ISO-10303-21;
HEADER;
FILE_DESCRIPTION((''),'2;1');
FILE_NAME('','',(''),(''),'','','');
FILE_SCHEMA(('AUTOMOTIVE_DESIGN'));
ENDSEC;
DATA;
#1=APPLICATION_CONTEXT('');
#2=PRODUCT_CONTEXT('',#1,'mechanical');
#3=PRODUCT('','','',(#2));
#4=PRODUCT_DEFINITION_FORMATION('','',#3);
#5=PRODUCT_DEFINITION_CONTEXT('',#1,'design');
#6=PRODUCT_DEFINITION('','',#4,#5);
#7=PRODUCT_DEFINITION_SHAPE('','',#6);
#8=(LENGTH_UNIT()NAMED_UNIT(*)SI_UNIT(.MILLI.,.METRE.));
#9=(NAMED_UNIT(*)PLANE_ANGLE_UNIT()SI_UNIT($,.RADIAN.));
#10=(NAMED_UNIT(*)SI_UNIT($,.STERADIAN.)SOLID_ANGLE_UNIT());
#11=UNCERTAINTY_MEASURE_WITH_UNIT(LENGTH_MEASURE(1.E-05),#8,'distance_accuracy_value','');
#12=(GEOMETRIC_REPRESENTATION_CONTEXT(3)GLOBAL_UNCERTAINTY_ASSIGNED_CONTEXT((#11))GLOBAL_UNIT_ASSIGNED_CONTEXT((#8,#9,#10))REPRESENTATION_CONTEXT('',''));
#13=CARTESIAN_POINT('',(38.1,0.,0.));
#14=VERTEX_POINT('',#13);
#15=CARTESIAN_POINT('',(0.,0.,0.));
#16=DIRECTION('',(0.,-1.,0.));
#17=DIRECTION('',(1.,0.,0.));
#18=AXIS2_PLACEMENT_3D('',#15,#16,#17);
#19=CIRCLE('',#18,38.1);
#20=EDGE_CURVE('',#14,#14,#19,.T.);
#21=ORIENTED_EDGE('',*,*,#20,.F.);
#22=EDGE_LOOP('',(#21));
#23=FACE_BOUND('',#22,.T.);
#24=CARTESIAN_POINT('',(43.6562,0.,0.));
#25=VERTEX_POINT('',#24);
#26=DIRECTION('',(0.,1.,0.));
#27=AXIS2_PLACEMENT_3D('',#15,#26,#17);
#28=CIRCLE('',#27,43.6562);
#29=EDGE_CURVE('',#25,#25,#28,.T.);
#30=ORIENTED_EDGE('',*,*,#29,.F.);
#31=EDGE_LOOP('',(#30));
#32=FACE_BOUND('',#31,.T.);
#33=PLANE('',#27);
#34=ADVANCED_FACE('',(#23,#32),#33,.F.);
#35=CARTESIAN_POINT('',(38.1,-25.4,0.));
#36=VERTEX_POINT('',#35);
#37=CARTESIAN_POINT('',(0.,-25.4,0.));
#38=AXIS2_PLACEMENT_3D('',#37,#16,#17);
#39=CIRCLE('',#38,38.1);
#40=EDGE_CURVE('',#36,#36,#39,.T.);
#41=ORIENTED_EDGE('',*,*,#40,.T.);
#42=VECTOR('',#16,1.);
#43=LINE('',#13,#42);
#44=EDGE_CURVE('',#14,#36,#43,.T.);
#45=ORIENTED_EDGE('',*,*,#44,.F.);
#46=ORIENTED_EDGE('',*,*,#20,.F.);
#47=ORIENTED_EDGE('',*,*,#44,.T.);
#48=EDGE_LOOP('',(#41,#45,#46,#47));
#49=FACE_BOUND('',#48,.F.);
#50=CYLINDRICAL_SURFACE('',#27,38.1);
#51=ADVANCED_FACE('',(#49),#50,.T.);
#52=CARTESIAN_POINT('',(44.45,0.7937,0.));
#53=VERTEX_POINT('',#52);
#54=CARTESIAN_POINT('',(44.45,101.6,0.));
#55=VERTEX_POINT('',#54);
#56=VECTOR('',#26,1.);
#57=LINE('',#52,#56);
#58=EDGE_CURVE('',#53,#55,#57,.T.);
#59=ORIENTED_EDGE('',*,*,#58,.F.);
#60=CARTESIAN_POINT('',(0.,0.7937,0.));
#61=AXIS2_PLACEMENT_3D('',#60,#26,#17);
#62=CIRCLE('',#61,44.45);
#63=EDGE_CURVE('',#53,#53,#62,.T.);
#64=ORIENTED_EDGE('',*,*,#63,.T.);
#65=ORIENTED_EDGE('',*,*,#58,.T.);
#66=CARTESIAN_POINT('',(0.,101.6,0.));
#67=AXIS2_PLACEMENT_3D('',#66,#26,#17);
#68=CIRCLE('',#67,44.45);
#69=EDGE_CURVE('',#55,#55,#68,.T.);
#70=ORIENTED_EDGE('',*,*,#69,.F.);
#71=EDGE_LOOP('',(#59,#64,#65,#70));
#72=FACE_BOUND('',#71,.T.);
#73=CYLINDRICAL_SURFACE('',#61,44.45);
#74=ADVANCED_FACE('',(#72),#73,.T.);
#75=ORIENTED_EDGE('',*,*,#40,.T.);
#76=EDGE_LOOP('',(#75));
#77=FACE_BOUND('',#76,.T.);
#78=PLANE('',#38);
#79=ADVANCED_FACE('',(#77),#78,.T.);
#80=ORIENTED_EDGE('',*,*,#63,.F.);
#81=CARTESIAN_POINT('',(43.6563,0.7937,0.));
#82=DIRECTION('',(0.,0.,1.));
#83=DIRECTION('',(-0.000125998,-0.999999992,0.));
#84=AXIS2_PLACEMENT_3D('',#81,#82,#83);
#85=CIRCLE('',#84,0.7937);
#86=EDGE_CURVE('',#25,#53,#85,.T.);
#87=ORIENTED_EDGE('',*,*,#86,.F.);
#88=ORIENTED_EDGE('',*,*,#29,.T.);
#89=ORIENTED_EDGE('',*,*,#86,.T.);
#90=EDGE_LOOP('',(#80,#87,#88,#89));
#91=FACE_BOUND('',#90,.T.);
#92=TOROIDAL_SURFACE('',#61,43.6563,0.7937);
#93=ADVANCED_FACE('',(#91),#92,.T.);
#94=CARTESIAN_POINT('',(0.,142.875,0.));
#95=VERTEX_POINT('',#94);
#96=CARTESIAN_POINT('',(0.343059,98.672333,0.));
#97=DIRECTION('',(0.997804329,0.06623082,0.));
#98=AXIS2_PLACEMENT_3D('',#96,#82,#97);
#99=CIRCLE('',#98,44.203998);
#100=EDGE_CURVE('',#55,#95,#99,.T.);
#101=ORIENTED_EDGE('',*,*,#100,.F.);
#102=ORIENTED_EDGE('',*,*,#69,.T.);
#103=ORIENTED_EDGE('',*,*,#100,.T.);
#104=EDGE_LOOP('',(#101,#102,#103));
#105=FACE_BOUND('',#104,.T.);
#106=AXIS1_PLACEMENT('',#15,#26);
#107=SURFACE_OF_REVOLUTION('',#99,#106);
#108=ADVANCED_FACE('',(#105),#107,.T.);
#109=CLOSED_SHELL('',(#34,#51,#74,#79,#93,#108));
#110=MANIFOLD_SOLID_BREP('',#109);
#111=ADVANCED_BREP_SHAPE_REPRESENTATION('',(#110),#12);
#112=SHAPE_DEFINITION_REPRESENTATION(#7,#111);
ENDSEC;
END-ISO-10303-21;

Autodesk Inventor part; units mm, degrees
ref_plane "YZ Plane" through (0, 0, 0) normal (1, 0, 0) x (0, 1, 0)
ref_plane "XZ Plane" through (0, 0, 0) normal (0, 1, 0) x (-1, 0, 0)
ref_plane "XY Plane" through (0, 0, 0) normal (0, 0, 1) x (1, 0, 0)
sketch "Sketch1" plane through (0, 0, 0) normal (0, 0, 1) x (1, 0, 0)
  point P0 (0, 0)
sketch "Sketch2" plane through (0, 0, 0) normal (0, 0, 1) x (1, 0, 0)
  line L0 (0, 0) -> (0, 142.875)
  line L1 (0, 0) -> (43.6562, 0)
  line L2 (44.45, 0.7937) -> (44.45, 101.6)
  arc A0 (44.45, 101.6) -> (0, 142.875) centre (0.3432, 98.6724) ccw
  arc A1 (43.6562, 0) -> (44.45, 0.7937) centre (43.6563, 0.7937) ccw
  point P0 (44.45, 0)
  dimension "d0" = 101.6
  dimension "d1" = 142.875
  dimension "d2" = 44.45
  dimension "d9" = 0.7937
revolve "Revolution1" add sketch "Sketch2" angle 360 about axis through (0, 0, 0) along (0, 1, 0)
sketch "Sketch3" plane through (0, 0, 0) normal (0, -1, 0) x (1, 0, 0)
  circle A0 centre (0, 0) radius 38.1
  dimension "d4" = 76.2
extrude "Extrusion1" add sketch "Sketch3" along normal blind 25.4
thread "Thread1" size "1 1/8-7 UNC" class "2A" standard "ANSI Unified Screw Threads" full length
properties part number "bulb"
